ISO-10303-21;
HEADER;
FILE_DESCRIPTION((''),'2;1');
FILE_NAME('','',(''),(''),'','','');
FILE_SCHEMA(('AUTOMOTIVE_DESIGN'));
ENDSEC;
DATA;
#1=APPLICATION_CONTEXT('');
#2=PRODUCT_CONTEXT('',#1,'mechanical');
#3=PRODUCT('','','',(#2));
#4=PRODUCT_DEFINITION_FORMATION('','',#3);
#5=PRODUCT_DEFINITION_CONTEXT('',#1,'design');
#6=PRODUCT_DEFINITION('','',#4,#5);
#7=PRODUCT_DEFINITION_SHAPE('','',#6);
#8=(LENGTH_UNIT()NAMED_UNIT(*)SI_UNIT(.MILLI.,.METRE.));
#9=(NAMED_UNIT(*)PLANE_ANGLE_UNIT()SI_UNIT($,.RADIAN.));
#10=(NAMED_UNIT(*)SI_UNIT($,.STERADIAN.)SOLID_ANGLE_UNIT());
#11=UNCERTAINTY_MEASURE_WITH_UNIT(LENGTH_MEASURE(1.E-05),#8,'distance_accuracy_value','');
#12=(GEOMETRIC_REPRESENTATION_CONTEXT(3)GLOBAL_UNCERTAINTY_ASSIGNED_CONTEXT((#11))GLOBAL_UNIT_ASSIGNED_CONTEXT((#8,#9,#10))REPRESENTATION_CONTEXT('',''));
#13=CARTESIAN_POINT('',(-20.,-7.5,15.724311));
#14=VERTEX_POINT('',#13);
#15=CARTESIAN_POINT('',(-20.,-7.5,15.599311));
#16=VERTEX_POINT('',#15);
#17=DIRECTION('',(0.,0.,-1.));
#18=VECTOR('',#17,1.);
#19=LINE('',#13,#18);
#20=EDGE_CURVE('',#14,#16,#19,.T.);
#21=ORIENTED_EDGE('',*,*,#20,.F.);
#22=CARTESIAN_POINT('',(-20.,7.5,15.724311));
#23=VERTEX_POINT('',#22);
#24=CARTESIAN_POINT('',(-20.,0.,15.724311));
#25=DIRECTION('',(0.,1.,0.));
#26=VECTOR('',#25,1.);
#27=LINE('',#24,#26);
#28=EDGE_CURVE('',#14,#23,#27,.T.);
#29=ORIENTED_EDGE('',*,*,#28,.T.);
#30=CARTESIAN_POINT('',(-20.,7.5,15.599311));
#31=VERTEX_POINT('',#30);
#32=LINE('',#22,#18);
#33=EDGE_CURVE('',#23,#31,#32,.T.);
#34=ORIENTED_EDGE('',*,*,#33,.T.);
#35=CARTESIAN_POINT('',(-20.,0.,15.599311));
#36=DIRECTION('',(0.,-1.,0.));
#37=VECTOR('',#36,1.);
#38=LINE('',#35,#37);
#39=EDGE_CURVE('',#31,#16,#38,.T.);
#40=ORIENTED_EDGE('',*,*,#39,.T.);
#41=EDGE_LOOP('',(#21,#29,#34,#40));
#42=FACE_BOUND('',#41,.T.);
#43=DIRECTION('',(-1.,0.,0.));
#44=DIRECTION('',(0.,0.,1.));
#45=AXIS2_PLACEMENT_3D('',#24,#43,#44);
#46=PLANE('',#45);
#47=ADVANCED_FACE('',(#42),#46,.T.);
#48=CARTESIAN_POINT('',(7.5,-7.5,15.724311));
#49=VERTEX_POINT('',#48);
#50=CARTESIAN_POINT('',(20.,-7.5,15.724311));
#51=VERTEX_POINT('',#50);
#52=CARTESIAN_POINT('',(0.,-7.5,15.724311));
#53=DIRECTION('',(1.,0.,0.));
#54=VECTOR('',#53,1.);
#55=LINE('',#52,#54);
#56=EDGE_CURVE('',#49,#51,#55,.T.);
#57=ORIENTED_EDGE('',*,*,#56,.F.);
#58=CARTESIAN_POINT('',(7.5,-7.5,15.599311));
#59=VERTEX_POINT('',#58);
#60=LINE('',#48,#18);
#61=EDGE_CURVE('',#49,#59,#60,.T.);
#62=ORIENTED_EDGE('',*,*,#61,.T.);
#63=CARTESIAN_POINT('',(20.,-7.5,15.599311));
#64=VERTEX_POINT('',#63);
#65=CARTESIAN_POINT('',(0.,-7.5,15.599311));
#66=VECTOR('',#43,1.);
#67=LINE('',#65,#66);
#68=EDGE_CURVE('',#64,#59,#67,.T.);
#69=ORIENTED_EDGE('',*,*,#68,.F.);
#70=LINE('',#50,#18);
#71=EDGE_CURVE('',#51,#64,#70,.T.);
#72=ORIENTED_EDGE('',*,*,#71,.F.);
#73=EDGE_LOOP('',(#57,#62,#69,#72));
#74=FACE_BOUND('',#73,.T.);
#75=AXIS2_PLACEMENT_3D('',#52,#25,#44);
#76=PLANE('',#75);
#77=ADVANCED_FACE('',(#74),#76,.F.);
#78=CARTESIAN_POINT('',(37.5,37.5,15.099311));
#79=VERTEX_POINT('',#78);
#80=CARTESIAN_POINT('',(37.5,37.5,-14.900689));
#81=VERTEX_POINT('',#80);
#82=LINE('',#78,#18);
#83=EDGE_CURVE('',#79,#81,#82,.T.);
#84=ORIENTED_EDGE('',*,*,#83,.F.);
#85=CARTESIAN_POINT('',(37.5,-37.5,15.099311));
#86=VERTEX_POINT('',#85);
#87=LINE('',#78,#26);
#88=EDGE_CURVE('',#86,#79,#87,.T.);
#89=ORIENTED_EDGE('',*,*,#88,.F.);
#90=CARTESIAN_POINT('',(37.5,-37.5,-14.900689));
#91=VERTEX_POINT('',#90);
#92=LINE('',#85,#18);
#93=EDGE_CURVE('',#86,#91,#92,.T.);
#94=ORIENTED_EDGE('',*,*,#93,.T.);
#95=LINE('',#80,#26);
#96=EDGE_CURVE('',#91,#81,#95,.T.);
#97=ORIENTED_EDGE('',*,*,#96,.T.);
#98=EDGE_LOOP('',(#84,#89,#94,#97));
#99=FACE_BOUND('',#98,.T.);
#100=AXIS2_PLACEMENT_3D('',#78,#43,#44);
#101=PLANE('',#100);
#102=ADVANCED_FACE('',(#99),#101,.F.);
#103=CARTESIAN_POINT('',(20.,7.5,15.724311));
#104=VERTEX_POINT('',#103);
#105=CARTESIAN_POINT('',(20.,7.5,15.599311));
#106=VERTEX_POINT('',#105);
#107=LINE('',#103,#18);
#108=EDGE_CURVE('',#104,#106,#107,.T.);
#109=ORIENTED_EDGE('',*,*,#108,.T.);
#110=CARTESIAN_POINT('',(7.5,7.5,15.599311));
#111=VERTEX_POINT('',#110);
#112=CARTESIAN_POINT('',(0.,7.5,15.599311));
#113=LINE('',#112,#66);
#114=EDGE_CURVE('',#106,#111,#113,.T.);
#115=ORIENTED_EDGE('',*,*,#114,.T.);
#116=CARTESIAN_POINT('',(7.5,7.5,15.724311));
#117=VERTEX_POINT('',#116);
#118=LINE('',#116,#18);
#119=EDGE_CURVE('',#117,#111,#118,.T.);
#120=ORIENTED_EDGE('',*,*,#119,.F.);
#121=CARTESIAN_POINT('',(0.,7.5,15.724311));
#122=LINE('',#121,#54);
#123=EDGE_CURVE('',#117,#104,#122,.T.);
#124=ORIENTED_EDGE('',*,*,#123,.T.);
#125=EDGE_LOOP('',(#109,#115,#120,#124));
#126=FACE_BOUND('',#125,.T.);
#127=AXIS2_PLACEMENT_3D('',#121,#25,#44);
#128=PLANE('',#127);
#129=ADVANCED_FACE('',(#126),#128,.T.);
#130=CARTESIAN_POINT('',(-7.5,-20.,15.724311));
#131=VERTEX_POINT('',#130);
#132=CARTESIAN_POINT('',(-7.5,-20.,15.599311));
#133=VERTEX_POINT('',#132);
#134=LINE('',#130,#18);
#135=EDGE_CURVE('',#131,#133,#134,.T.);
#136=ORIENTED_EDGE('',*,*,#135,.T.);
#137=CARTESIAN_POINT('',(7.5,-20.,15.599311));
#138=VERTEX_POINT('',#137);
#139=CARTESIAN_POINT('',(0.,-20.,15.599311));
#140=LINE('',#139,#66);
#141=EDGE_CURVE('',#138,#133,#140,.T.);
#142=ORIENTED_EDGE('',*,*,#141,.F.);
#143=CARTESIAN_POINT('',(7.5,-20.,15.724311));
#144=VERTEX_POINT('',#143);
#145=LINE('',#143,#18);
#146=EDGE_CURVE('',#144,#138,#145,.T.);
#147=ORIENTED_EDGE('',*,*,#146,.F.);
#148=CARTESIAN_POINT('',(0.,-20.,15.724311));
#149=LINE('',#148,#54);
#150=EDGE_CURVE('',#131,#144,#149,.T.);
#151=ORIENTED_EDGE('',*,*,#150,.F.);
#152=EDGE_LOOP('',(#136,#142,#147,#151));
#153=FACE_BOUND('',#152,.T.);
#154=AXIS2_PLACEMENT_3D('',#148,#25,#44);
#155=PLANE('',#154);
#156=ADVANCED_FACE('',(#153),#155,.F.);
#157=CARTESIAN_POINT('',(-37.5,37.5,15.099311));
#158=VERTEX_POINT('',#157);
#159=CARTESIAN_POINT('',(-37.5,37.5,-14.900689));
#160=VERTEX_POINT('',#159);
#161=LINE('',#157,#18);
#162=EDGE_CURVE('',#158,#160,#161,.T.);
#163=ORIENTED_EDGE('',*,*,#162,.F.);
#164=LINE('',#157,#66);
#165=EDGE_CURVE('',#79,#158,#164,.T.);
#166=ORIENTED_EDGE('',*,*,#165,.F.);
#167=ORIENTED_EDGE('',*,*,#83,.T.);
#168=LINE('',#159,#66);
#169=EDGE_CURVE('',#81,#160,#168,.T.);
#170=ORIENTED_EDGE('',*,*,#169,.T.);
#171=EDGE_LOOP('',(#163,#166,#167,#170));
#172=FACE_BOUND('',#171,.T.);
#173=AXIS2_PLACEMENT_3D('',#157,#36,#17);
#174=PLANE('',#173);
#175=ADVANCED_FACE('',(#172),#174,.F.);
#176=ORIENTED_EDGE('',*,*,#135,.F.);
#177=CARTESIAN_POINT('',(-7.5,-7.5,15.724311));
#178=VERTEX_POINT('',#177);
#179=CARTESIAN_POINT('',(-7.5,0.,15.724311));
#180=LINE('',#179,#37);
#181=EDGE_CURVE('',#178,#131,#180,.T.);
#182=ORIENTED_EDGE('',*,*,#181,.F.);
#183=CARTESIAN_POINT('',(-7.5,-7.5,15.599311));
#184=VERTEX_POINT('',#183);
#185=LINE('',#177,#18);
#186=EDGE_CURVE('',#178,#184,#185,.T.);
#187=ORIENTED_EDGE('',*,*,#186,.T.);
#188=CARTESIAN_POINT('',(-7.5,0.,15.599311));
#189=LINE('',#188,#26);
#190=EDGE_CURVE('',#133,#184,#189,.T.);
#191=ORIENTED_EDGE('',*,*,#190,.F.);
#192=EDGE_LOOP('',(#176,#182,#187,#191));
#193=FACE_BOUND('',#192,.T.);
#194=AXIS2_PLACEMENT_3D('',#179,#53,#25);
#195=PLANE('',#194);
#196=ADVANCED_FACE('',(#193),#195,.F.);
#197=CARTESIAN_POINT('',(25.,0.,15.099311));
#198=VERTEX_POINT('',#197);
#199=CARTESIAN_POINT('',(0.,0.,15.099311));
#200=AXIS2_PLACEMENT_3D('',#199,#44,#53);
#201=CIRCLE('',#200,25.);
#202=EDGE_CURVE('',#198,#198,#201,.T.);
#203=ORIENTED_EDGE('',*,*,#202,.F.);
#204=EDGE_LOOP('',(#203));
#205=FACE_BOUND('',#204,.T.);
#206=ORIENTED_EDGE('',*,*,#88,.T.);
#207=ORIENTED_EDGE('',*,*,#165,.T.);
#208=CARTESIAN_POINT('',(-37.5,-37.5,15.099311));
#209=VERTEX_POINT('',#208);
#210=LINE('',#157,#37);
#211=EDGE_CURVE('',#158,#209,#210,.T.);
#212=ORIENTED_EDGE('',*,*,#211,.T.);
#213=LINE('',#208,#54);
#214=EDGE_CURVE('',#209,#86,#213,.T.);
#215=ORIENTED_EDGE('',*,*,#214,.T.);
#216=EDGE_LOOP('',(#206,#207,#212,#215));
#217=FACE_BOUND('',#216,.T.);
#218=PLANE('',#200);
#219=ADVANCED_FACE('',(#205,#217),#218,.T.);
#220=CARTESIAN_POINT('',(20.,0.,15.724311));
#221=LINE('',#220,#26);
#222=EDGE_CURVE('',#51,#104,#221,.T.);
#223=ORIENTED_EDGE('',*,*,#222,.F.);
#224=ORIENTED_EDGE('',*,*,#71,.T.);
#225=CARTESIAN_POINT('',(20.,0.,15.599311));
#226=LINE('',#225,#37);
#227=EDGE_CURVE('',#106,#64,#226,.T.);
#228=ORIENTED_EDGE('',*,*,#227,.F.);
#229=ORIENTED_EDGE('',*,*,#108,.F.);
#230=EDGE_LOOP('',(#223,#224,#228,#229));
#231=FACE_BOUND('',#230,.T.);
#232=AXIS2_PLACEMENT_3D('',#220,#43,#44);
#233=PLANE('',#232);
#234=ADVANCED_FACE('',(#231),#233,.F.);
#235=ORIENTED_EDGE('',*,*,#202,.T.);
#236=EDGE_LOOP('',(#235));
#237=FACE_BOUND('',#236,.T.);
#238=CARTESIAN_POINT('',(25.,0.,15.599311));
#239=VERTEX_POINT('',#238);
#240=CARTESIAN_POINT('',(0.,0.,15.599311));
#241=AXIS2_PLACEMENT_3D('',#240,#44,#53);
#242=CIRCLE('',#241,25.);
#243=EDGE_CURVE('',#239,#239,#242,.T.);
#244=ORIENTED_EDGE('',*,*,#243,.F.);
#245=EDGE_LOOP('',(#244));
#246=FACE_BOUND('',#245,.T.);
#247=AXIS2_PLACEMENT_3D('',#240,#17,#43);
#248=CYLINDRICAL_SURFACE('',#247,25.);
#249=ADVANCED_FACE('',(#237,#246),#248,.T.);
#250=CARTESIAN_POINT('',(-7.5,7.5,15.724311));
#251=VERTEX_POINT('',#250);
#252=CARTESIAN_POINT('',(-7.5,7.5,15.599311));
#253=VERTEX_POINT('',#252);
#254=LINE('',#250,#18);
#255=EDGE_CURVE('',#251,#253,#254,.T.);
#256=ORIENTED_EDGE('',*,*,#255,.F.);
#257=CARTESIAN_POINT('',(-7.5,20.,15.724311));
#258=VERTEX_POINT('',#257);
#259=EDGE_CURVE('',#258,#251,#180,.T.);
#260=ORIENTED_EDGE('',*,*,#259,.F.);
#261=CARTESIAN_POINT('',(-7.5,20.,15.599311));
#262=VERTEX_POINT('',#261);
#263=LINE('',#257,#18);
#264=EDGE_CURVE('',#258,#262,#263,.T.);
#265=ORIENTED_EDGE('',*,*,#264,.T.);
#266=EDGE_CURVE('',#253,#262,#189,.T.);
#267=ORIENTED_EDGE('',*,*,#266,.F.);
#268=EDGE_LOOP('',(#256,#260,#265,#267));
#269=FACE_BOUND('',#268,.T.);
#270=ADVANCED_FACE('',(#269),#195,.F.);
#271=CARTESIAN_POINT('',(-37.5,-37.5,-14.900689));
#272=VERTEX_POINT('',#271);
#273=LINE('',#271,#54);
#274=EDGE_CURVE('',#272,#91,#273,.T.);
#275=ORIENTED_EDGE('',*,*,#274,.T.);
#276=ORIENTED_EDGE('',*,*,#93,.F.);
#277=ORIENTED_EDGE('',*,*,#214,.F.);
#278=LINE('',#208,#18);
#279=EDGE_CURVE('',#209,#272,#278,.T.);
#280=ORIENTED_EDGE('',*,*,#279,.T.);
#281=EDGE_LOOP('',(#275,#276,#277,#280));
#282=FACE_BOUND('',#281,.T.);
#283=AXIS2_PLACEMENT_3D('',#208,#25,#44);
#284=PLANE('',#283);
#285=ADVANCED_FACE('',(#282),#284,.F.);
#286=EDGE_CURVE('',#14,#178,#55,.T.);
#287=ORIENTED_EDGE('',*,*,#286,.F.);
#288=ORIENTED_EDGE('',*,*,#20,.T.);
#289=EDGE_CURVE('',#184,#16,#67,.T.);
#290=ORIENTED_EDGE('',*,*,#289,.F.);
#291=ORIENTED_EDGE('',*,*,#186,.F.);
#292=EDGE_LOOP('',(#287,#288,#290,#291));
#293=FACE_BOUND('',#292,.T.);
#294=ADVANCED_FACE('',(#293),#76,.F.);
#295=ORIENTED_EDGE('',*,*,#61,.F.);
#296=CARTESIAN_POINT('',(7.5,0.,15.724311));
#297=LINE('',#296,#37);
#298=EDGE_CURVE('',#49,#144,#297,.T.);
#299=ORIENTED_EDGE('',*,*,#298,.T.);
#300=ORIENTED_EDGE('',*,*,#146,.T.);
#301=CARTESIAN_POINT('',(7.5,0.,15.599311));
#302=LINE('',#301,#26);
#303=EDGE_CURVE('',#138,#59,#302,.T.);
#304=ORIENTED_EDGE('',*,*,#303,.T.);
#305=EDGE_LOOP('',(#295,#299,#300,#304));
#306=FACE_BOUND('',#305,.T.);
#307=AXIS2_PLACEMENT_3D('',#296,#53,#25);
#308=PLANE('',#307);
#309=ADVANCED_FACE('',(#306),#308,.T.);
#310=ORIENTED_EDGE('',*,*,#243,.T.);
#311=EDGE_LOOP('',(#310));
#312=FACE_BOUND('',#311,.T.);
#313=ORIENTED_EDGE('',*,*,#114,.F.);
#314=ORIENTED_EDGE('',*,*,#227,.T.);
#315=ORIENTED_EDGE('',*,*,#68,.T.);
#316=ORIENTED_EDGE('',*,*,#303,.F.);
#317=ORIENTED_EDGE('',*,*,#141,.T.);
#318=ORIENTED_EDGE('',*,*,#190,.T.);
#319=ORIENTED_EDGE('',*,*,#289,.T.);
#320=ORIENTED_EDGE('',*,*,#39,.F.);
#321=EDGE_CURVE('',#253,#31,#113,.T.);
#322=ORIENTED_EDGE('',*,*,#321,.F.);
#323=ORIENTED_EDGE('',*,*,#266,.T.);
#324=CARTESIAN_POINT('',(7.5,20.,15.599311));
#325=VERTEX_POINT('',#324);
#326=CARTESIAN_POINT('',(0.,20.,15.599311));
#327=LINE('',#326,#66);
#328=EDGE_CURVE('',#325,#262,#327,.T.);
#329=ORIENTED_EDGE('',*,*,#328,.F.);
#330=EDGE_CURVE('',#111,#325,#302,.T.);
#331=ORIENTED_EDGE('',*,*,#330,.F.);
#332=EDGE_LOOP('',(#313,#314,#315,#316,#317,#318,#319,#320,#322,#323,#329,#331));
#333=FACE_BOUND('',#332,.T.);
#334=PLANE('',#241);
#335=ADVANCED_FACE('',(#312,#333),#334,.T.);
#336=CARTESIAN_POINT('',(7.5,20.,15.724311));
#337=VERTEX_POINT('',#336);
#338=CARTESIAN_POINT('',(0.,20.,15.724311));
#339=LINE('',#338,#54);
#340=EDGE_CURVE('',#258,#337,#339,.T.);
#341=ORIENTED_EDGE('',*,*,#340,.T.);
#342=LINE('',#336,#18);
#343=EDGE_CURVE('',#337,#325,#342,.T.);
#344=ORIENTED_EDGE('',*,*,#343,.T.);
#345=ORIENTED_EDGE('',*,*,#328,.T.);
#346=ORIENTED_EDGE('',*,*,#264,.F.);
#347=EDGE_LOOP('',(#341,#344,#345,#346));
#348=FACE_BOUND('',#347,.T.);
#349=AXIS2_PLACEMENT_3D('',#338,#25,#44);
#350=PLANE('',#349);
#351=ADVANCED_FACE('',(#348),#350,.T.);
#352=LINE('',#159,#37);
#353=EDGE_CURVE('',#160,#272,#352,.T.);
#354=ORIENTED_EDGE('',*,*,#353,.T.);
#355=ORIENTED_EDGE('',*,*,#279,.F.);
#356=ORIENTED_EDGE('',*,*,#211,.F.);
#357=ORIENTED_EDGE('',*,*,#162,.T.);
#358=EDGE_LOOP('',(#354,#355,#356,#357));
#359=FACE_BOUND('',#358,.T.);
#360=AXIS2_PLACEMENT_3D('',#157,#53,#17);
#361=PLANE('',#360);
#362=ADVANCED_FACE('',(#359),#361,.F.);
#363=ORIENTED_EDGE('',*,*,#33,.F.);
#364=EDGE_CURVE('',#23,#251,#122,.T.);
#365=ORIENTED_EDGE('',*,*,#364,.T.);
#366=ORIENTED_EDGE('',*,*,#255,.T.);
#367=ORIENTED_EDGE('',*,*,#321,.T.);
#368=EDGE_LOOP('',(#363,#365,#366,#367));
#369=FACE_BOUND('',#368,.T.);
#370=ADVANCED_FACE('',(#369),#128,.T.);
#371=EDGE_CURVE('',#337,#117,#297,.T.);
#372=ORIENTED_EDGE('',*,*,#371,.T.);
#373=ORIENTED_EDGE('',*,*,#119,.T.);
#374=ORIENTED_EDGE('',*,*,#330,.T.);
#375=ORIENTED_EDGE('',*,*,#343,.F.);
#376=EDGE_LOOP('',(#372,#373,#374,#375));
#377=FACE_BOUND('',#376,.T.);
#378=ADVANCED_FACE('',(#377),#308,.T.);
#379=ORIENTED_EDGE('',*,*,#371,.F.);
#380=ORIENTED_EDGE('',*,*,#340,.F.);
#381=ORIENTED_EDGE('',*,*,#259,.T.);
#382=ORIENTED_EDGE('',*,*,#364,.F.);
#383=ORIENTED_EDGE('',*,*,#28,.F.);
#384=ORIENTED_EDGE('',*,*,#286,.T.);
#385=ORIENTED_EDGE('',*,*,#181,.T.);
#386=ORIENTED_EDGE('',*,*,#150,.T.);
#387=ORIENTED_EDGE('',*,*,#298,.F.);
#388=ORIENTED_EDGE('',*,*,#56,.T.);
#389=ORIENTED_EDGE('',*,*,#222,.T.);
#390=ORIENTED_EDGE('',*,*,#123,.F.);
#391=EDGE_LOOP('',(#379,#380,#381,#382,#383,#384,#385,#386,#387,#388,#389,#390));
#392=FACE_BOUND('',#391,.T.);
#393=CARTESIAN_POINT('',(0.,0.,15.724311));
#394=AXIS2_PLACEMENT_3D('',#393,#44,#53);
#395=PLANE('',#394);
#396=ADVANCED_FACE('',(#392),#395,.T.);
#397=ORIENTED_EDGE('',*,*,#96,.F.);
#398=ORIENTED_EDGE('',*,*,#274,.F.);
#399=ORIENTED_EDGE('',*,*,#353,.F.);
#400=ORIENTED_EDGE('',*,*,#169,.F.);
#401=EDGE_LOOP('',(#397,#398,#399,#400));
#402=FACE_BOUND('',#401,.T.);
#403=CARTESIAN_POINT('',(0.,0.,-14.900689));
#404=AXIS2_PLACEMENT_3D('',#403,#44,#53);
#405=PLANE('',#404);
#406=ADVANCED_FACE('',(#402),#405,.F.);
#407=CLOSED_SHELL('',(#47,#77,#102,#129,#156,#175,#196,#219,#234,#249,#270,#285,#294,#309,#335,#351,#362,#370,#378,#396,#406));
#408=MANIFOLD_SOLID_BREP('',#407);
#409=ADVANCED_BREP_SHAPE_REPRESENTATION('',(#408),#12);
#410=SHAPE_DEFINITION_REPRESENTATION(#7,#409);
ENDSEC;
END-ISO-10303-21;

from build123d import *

# Parameters (mm, degrees)
SKETCH1_W           = 150
SKETCH1_H           = 150
BOSS_EXTRUDE1_DEPTH = 30
SKETCH2_R           = 50
BOSS_EXTRUDE2_DEPTH = 1
SKETCH3_W           = 25
SKETCH3_H           = 30
SKETCH3_W_2         = 30
SKETCH3_H_2         = 25
BOSS_EXTRUDE3_DEPTH = 1.25
SCALE1_SCALE        = 0.5


with BuildPart() as part:
    # Sketch1 → Boss-Extrude1 (new body, symmetric)
    with BuildSketch(Plane.XY):
        Rectangle(SKETCH1_W, SKETCH1_H)
    extrude(amount=BOSS_EXTRUDE1_DEPTH, both=True)

    # Sketch2 → Boss-Extrude2 (add)
    with BuildSketch(Plane.XY.offset(30)):
        Circle(SKETCH2_R)
    extrude(amount=BOSS_EXTRUDE2_DEPTH)

    # Sketch3 → Boss-Extrude3 (add)
    with BuildSketch(Plane.XY.offset(30)):
        with Locations((-27.5, 0)):
            Rectangle(SKETCH3_W, SKETCH3_H)
        Rectangle(SKETCH3_W_2, SKETCH3_H)
        with Locations((0, 27.5)):
            Rectangle(SKETCH3_W_2, SKETCH3_H_2)
        with Locations((27.5, 0)):
            Rectangle(SKETCH3_W, SKETCH3_H)
        with Locations((0, -27.5)):
            Rectangle(SKETCH3_W_2, SKETCH3_H_2)
    extrude(amount=BOSS_EXTRUDE3_DEPTH)


with BuildPart() as part_1:
    # Scale1: scaled about (0, 0, 0.198621989)
    add(part.part.scale(SCALE1_SCALE).moved(Location((0, 0, 0.099310994))))


solid = part_1.part
